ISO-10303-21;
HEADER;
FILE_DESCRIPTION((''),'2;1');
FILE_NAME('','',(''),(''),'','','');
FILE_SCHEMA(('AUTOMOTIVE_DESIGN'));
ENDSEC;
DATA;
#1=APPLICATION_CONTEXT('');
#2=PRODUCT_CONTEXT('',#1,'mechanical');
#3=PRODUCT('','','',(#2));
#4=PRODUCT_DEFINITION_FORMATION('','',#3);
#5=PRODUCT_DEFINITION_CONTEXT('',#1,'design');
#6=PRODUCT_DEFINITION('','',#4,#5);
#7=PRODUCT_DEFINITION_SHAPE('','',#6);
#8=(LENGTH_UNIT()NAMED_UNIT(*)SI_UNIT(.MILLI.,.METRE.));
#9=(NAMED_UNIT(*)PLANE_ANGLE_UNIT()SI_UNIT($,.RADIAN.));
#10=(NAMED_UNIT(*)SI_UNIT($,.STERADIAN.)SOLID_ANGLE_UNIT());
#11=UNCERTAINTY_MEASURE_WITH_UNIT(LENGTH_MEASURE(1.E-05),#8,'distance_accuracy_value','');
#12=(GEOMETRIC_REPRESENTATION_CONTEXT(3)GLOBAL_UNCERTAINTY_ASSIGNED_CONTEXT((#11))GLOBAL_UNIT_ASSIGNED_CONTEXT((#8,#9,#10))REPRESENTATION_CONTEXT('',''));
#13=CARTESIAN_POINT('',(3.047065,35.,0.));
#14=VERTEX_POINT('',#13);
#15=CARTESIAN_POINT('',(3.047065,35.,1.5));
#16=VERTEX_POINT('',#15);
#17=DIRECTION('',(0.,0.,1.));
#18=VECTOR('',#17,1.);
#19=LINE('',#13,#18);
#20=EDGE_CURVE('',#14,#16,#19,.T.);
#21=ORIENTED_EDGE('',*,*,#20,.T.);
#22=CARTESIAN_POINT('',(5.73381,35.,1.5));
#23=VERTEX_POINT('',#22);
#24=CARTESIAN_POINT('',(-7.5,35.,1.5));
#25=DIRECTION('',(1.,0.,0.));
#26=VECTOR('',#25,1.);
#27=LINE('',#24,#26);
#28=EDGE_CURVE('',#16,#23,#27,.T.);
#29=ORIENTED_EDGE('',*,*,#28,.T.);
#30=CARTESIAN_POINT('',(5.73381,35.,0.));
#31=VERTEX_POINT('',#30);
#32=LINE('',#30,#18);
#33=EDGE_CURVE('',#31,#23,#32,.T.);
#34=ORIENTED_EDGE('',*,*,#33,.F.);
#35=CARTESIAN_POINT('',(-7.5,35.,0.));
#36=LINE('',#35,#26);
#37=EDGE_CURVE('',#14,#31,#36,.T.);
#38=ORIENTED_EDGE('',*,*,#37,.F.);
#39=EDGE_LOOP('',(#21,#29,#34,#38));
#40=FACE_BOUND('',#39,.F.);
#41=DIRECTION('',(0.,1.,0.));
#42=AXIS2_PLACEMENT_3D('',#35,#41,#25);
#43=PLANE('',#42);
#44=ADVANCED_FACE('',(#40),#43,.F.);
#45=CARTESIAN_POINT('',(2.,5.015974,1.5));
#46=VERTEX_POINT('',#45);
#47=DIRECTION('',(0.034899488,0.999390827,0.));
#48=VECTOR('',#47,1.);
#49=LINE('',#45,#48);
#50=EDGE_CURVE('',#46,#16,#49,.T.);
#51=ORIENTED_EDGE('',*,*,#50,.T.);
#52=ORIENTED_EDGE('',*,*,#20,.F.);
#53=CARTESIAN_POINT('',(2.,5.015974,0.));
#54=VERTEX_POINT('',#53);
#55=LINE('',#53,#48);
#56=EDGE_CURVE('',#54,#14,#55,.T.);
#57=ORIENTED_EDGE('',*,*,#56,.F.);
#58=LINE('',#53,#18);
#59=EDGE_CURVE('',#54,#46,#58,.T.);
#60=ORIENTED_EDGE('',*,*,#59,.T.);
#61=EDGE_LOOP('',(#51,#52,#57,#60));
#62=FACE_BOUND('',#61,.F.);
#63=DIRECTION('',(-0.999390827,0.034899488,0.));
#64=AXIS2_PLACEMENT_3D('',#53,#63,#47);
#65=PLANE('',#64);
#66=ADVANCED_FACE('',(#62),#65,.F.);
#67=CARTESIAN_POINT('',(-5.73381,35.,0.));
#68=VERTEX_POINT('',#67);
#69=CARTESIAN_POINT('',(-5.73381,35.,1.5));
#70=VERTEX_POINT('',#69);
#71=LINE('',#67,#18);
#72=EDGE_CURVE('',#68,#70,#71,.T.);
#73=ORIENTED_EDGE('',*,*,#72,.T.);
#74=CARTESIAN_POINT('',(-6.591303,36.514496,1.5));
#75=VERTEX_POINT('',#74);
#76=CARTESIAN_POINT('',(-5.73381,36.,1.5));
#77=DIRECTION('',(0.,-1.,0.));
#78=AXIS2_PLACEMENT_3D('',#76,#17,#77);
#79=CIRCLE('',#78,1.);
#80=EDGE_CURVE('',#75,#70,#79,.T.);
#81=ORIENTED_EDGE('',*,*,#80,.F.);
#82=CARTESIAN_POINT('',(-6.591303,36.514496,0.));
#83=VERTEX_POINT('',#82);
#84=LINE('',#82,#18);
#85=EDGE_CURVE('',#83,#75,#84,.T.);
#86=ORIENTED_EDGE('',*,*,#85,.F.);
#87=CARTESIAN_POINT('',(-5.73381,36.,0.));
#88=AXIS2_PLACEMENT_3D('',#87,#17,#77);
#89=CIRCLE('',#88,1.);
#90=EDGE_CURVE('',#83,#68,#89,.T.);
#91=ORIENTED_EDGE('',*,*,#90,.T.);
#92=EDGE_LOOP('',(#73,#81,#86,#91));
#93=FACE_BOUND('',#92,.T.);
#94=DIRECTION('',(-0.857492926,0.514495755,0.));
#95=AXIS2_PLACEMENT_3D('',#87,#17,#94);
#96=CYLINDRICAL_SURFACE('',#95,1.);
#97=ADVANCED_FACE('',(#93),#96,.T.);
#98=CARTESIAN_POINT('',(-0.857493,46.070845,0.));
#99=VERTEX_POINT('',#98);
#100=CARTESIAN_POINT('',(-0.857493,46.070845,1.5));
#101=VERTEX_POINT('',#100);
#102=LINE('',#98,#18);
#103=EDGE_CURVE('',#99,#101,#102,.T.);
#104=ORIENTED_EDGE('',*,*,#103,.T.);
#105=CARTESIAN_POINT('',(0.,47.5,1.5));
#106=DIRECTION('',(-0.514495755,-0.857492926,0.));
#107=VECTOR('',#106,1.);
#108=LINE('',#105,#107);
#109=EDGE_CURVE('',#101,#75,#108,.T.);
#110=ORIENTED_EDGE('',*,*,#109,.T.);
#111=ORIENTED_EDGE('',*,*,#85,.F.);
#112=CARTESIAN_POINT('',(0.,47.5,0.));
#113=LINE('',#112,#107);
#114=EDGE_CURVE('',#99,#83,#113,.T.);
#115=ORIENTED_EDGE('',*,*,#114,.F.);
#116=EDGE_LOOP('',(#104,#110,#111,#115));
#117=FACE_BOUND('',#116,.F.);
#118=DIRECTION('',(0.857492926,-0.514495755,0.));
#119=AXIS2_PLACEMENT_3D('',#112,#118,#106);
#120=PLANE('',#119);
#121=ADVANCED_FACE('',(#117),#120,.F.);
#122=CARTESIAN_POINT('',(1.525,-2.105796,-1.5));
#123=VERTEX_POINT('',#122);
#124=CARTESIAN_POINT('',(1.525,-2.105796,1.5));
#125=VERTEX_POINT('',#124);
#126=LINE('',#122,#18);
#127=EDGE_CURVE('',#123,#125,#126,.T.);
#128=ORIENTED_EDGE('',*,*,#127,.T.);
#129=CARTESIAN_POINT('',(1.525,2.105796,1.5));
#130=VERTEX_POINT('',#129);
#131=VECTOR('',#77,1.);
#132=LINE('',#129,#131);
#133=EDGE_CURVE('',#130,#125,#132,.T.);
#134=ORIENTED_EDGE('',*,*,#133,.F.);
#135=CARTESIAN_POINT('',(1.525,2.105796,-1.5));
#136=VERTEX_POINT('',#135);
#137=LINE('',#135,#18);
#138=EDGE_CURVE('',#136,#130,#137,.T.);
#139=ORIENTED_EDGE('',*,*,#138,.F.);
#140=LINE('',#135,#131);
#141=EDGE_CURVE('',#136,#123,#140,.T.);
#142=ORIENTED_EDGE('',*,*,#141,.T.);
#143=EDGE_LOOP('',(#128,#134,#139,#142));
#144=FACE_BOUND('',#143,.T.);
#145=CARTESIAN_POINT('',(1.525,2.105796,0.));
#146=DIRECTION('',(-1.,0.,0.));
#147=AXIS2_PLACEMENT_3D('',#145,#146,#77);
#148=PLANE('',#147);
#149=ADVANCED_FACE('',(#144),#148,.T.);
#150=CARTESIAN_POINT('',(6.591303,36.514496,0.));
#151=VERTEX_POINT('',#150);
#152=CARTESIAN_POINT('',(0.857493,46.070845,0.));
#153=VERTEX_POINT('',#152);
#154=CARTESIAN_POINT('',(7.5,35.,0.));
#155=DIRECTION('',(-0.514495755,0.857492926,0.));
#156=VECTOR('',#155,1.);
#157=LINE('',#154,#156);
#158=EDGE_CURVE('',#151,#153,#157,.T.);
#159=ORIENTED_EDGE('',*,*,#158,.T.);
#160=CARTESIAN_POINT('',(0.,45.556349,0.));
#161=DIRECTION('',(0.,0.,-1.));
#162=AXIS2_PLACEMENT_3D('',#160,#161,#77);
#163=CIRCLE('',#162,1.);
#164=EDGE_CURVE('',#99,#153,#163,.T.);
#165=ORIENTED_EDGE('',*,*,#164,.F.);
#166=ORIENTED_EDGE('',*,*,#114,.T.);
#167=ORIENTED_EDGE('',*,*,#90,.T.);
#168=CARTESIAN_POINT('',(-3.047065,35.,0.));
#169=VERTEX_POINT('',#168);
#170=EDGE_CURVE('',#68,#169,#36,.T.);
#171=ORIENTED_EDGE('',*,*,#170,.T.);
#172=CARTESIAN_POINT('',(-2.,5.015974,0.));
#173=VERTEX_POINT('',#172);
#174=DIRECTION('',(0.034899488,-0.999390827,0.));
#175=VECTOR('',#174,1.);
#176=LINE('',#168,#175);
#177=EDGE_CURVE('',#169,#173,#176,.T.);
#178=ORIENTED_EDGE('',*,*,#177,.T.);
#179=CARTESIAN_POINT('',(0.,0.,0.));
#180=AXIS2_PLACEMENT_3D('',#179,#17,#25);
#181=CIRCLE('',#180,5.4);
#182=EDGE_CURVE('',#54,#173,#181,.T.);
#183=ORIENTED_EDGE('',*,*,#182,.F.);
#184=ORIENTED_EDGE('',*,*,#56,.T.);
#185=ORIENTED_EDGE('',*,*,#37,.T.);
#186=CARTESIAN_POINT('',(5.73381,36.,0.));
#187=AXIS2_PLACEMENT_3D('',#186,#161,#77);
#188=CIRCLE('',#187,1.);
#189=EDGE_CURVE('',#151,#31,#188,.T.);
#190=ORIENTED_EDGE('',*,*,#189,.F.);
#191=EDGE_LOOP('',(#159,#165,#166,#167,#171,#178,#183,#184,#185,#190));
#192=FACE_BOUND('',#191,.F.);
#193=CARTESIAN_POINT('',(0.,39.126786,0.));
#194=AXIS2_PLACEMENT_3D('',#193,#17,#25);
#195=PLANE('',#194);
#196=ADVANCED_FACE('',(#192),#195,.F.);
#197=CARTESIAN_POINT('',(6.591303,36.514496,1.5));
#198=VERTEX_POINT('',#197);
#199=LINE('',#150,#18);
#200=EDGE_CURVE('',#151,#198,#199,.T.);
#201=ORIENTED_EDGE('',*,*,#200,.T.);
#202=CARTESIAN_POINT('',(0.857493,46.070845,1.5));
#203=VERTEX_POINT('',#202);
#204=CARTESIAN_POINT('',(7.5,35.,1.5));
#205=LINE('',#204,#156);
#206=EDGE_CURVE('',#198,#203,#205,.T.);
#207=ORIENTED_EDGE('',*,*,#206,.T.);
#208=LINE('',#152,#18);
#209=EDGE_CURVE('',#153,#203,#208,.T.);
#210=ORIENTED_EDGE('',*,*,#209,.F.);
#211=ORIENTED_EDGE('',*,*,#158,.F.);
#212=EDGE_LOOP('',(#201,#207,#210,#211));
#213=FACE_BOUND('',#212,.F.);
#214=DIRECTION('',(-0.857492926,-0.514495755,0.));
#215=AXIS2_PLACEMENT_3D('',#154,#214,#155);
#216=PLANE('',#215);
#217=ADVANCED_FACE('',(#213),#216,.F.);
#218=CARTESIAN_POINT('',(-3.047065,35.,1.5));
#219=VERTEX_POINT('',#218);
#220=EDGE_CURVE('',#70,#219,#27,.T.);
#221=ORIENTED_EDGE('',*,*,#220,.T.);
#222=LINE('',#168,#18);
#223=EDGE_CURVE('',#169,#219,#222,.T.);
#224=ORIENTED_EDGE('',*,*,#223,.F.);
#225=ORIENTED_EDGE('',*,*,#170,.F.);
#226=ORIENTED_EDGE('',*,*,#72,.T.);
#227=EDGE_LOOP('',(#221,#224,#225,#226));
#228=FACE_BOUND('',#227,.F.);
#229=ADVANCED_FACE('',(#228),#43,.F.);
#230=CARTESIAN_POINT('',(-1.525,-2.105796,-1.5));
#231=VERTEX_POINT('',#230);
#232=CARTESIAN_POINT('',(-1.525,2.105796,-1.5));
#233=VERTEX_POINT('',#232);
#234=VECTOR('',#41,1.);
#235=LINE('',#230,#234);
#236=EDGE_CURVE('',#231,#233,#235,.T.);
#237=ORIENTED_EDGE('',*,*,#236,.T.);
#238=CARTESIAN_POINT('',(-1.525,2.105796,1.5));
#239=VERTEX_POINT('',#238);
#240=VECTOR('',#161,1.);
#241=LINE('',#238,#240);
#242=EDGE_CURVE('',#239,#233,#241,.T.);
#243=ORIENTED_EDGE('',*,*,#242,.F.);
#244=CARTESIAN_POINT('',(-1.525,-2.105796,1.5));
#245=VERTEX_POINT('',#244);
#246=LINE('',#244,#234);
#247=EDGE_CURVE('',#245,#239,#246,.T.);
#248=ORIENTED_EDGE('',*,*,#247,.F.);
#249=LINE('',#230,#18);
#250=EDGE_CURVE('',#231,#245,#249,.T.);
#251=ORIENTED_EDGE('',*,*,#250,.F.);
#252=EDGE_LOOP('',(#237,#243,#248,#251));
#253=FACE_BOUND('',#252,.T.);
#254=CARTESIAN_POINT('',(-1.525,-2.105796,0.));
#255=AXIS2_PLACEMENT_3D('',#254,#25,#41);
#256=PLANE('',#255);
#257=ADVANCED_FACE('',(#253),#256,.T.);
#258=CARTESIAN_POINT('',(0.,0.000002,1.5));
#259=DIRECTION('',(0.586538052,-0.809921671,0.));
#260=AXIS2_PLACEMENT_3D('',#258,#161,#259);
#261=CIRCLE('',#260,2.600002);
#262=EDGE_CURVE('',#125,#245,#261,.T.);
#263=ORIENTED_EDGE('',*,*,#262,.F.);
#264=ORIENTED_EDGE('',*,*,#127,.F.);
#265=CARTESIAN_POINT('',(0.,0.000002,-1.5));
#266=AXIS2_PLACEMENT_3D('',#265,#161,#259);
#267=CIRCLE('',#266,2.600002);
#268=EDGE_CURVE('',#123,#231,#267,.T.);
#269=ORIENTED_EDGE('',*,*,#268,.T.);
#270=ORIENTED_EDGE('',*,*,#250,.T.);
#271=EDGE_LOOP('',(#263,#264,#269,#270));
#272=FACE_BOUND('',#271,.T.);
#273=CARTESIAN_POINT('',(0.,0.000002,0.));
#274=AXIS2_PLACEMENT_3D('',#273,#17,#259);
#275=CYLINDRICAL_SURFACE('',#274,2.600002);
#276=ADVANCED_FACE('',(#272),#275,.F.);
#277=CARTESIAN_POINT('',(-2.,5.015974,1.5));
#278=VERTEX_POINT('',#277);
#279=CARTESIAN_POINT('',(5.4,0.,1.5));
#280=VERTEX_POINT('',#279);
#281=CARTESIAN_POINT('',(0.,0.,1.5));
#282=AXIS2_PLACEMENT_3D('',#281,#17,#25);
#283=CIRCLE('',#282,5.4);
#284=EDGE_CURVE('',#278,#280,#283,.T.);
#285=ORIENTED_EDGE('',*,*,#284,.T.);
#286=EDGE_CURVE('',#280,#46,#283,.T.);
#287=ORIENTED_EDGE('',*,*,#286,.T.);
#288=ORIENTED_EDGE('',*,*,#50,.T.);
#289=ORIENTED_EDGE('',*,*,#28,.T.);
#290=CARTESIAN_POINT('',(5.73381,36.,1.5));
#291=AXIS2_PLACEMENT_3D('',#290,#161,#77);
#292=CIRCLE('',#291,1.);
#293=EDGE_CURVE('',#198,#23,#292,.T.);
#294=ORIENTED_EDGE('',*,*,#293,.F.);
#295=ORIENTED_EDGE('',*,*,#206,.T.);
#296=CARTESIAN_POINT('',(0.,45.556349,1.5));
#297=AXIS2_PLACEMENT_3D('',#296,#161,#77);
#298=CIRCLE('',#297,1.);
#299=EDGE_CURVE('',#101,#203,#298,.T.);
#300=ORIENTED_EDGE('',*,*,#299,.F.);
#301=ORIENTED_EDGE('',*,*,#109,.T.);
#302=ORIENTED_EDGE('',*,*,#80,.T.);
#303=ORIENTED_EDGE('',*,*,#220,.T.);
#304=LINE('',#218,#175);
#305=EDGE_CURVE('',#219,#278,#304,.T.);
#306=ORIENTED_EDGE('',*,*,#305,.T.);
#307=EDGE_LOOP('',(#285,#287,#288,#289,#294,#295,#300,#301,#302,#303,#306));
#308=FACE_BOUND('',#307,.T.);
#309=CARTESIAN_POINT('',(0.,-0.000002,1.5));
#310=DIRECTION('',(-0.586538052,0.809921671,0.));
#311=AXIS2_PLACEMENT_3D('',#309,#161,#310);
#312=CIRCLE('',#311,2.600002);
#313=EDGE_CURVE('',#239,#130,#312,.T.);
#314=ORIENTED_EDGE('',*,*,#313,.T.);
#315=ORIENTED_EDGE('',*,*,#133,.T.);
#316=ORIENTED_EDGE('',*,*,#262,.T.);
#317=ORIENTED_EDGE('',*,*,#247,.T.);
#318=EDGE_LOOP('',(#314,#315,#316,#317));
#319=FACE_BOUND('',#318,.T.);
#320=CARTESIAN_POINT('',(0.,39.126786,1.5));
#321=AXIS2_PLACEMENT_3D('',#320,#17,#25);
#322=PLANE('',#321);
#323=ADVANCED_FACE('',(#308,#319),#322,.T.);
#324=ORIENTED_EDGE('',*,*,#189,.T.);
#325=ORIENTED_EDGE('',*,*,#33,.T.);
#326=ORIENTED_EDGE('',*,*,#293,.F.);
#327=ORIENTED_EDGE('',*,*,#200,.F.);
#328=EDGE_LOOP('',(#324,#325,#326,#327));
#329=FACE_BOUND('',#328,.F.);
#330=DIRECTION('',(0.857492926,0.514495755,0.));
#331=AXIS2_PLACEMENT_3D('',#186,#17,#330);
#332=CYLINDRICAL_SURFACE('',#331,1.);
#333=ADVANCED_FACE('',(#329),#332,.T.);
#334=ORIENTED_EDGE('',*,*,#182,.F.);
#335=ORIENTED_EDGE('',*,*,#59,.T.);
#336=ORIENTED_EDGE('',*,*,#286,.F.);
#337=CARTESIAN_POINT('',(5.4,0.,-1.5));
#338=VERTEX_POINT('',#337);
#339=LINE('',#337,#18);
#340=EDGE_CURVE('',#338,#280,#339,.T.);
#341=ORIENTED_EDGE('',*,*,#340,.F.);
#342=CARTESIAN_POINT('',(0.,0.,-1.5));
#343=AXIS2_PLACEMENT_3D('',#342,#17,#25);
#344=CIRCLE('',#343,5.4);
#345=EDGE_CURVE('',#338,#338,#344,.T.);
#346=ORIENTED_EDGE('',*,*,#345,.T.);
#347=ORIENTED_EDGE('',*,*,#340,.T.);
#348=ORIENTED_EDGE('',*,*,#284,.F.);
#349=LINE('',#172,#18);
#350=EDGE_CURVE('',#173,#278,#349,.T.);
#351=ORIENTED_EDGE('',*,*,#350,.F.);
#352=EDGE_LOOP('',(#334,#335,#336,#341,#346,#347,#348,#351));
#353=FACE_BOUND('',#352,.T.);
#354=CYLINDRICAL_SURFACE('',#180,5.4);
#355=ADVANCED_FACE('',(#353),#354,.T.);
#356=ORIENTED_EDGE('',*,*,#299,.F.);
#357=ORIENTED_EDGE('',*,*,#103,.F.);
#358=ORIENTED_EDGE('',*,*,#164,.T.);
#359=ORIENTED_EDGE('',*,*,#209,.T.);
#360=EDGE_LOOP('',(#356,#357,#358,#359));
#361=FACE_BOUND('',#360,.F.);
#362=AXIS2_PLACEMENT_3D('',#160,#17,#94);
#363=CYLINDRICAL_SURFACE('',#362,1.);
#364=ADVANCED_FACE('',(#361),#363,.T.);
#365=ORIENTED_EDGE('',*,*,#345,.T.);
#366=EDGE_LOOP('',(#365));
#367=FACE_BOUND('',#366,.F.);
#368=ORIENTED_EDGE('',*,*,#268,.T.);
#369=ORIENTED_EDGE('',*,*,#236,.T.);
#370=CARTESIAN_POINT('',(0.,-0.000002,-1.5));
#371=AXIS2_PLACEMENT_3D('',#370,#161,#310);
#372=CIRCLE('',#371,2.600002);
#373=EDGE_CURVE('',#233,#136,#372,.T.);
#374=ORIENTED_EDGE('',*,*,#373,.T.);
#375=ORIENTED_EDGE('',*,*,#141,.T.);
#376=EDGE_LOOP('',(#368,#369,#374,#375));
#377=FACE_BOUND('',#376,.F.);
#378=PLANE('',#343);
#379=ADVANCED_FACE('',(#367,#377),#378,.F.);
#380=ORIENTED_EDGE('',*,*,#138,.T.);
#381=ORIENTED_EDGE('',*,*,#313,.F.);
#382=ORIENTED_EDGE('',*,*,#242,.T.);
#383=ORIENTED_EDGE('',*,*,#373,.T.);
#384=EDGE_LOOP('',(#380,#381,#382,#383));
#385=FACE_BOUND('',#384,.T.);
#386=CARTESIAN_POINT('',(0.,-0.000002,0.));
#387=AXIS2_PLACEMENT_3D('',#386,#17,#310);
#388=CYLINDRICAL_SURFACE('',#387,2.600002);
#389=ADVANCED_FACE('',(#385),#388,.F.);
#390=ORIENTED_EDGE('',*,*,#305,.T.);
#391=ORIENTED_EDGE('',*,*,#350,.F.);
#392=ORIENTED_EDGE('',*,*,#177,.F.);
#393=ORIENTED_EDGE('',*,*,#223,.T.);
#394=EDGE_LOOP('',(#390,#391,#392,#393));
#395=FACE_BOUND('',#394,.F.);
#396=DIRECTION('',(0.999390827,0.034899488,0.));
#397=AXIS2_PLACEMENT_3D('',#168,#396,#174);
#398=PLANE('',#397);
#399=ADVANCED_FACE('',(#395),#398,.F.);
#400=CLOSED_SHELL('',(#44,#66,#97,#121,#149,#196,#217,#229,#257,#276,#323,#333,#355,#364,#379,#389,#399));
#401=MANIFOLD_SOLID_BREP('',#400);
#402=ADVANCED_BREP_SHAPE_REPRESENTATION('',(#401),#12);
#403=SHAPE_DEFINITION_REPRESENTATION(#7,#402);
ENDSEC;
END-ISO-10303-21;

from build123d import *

# Parameters (mm, degrees)
F0_R     = 5.4
F1_DEPTH = 1.5
F3_DEPTH = 1.5
F6_DEPTH = 1.5
F7_R     = 1


with BuildPart() as f1:
    # F0 (on Top) → F1 (new body, symmetric)
    with BuildSketch(Plane.XY):
        Circle(F0_R)
        with BuildLine():
            ThreePointArc((1.525, 2.105796), (2.315707, 1.182159), (2.6, 0))
            ThreePointArc((2.6, 0), (2.315707, -1.182159), (1.525, -2.105796))
            ThreePointArc((1.525, -2.105796), (0, -2.6), (-1.525, -2.105796))
            ThreePointArc((-1.525, -2.105796), (-2.6, 0), (-1.525, 2.105796))
            ThreePointArc((-1.525, 2.105796), (0, 2.6), (1.525, 2.105796))
        make_face(mode=Mode.SUBTRACT)
        with BuildLine():
            Line((-1.525, -2.105796), (-1.525, 2.105796))
            ThreePointArc((-1.525, 2.105796), (-2.6, 0), (-1.525, -2.105796))
        make_face()
        with BuildLine():
            ThreePointArc((1.525, -2.105796), (2.315707, -1.182159), (2.6, 0))
            ThreePointArc((2.6, 0), (2.315707, 1.182159), (1.525, 2.105796))
            Line((1.525, 2.105796), (1.525, -2.105796))
        make_face()
    extrude(amount=F1_DEPTH, both=True)

    # F2 (on Top) → F3 (join, through all)
    with BuildSketch(Plane.XY):
        Polygon((-2, 5.015974), (0, 5.015974), (2, 5.015974), (3.047065, 35), (0, 35), (-3.047065, 35), align=None)
    extrude(amount=F3_DEPTH)

    # F5 (on Top) → F6 (join, through all)
    with BuildSketch(Plane.XY):
        Polygon((0, 47.5), (-7.5, 35), (7.5, 35), align=None)
    extrude(amount=F6_DEPTH)

    # F7
    f7_edges = [f1.edges().sort_by_distance(p)[0] for p in [
        (0, 47.5, 0.75),
        (-7.5, 35, 0.75),
        (7.5, 35, 0.75),
    ]]
    fillet(f7_edges, radius=F7_R)


solid = f1.part
